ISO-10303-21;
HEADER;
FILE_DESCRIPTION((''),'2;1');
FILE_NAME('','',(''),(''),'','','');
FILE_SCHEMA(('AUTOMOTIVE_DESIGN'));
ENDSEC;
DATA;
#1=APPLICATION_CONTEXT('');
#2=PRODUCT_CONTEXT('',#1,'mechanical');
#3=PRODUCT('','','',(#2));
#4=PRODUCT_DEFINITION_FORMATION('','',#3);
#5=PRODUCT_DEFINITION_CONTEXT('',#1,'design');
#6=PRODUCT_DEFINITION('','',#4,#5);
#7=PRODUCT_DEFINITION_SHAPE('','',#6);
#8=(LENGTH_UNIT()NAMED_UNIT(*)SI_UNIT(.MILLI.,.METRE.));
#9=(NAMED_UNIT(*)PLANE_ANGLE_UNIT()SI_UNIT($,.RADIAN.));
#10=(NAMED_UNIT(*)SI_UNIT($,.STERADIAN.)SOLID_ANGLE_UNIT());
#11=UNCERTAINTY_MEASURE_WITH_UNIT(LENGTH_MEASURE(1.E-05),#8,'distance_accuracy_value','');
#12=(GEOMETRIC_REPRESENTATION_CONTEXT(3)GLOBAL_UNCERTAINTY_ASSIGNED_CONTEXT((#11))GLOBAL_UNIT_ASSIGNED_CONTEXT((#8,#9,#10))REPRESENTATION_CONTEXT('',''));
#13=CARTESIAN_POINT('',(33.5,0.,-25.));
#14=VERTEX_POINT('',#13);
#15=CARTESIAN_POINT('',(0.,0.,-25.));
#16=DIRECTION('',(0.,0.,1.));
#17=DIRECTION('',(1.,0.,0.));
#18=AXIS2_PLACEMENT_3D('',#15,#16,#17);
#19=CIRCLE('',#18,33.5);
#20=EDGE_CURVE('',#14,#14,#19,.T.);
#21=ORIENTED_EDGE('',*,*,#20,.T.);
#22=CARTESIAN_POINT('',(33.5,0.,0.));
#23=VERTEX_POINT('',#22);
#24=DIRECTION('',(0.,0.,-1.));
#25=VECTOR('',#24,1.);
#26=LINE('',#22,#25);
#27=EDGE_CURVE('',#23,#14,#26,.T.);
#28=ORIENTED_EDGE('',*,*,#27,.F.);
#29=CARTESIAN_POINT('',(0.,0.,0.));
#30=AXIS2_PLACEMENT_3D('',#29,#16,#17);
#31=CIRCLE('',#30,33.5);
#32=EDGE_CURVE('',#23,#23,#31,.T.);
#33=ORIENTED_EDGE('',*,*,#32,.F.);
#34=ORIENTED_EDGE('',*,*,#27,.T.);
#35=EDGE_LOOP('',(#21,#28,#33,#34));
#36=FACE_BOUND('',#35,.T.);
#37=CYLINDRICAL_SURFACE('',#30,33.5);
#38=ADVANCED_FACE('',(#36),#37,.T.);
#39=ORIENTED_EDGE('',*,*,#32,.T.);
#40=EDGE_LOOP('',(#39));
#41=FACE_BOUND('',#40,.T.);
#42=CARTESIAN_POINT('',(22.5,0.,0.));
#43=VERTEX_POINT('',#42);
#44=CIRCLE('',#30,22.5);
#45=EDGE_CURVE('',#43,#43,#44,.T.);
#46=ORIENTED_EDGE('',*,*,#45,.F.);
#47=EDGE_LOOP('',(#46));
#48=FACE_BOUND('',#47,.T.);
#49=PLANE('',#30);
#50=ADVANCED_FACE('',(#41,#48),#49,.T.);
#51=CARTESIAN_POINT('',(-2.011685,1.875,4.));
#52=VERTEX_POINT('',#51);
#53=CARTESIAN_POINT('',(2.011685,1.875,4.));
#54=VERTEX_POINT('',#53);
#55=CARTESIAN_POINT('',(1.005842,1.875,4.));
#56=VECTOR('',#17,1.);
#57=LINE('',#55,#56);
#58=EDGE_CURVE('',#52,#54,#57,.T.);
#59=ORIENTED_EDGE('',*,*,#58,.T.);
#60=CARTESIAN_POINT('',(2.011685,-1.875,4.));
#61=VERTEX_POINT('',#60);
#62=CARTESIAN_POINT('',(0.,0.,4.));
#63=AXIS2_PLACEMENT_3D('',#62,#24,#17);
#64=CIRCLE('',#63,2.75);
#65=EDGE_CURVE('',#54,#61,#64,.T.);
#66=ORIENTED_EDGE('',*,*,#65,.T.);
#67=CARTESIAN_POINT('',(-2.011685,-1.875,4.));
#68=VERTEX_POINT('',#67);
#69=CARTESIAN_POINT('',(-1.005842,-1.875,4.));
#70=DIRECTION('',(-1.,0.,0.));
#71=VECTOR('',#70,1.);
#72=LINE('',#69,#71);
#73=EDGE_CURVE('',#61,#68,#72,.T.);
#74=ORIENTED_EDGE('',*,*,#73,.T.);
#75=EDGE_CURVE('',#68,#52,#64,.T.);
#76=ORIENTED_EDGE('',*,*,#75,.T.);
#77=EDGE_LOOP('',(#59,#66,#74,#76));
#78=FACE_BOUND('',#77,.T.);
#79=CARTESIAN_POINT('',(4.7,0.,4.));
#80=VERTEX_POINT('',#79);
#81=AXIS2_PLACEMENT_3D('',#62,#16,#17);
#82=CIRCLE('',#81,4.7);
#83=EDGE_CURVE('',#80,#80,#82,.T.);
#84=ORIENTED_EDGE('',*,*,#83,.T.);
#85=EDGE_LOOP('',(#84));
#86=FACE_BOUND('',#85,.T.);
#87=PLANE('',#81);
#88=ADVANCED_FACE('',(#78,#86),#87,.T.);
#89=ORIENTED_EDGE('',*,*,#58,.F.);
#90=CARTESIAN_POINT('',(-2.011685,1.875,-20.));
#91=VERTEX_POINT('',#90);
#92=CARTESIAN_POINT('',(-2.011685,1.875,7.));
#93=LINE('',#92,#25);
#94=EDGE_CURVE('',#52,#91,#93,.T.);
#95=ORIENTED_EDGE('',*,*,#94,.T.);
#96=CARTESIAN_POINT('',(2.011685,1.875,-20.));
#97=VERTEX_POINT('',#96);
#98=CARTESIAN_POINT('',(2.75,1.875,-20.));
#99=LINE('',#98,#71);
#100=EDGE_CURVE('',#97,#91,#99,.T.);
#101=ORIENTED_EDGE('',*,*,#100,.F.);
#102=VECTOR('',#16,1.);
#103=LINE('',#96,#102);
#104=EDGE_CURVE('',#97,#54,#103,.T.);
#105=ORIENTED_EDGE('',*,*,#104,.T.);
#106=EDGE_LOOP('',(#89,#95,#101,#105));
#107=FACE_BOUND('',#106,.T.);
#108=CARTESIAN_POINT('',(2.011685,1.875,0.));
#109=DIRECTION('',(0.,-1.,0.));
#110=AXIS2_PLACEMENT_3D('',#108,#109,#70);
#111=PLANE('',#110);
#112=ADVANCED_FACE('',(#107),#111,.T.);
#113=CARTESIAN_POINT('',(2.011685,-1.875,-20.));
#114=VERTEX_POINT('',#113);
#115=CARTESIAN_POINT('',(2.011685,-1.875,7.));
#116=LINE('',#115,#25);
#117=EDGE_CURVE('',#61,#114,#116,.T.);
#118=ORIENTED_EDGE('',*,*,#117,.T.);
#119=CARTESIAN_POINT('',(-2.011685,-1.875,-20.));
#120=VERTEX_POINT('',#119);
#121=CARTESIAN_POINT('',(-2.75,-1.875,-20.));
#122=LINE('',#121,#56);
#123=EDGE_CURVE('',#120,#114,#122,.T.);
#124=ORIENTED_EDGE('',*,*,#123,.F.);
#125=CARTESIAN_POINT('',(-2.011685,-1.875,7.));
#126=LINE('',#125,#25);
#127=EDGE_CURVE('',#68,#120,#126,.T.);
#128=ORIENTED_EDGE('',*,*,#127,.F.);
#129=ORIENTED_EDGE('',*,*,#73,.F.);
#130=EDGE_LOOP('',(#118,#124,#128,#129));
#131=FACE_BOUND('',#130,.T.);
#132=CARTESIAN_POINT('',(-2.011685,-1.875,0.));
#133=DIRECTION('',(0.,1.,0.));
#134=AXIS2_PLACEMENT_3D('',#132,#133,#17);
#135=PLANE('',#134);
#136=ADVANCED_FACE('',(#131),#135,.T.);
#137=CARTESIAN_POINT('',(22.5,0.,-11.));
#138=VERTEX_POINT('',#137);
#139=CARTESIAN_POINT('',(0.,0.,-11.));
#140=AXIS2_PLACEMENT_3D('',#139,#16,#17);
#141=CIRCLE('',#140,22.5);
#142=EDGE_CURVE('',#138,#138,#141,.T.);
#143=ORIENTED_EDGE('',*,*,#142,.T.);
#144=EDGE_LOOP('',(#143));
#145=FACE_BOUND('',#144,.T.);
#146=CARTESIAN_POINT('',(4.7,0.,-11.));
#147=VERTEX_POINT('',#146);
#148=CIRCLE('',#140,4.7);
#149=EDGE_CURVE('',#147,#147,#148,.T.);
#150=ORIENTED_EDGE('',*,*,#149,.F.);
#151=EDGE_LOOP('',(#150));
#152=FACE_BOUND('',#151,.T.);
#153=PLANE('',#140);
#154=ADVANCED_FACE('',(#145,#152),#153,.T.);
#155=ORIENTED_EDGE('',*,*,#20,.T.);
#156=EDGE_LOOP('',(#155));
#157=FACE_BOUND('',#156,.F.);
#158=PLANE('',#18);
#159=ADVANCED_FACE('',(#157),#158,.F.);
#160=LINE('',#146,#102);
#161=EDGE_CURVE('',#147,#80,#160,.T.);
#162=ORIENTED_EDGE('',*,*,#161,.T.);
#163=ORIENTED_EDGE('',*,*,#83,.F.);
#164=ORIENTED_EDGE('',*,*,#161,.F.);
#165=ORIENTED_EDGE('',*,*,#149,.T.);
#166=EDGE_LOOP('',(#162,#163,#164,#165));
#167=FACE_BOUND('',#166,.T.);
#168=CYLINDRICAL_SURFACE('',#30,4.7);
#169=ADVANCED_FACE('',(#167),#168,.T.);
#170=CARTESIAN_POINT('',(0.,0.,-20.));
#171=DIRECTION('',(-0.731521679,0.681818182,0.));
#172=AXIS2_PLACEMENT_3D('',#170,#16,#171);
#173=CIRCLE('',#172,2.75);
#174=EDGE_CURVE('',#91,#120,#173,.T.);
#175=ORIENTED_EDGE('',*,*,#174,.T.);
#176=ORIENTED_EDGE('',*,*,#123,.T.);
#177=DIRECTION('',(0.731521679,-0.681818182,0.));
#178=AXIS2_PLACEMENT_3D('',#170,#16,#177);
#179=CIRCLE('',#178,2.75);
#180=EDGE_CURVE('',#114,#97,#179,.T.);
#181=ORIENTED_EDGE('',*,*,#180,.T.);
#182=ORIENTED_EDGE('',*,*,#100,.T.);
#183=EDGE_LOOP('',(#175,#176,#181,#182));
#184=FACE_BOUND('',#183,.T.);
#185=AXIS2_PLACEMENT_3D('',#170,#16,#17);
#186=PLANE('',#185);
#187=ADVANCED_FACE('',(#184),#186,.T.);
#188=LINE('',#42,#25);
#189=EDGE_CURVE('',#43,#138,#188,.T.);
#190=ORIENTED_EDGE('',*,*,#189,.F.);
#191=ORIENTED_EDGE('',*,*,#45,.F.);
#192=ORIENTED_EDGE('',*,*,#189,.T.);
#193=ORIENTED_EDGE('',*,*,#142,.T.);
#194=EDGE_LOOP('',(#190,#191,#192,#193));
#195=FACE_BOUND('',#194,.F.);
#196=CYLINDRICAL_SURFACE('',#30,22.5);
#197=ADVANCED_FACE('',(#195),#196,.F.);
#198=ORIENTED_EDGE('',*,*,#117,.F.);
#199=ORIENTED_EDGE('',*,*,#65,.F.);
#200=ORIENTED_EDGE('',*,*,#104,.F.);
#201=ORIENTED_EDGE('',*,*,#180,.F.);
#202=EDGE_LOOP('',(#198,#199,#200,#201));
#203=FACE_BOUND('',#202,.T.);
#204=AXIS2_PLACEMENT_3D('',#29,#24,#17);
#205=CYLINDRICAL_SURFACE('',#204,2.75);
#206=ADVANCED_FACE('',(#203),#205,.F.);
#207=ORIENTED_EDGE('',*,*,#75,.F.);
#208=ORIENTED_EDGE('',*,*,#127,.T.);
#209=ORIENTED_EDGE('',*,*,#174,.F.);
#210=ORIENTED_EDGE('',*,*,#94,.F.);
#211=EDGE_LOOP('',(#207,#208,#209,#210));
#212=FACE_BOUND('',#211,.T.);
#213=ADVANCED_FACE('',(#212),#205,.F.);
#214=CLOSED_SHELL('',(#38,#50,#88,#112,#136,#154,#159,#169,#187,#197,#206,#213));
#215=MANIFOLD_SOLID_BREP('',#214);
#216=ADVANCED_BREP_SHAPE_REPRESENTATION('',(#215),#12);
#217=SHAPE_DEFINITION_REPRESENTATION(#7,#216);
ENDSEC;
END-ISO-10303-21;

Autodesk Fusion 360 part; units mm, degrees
sketch "Sketch1" plane through (0, 0, 0) normal (0, 0, 1) x (1, 0, 0)
  circle A0 centre (0, 0) radius 33.5
  dimension "d1" = 67
extrude "Extrude1" add sketch "Sketch1" against normal blind 25
sketch "Sketch2" plane through (0, 0, 0) normal (0, 0, 1) x (1, 0, 0)
  circle A0 centre (0, 0) radius 4.7
  circle A1 centre (0, 0) radius 2.75
  line L0 (2.75, 1.875) -> (-2.75, 1.875)
  line L1 (-2.75, 1.875) -> (-2.75, -1.875)
  line L2 (-2.75, -1.875) -> (2.75, -1.875)
  line L3 (2.75, -1.875) -> (2.75, 1.875)
  line L4 (2.75, 1.875) -> (-2.75, -1.875) construction
  line L5 (-2.75, 1.875) -> (2.75, -1.875) construction
  dimension "d4" = 9.4
  dimension "d7" = 5.5
  dimension "d8" = 3.75
extrude "Extrude2" add sketch "Sketch2" along normal blind 4 contours A0 | A1 L0 L2 | A1 L2 L3 | A1 L0 L3 | A1 L0 | A1 L2 | A1 L0 L1 | A1 L1 L2
extrude "Extrude3" cut sketch "Sketch2" along normal blind 7 and the other way blind 20 contours A1 L0 L2
sketch "Sketch3" plane through (0, 0, 0) normal (0, 0, 1) x (1, 0, 0)
  circle A0 centre (0, 0) radius 4.7
  circle A1 centre (0, 0) radius 33.5
  circle A2 centre (0, 0) radius 22.5
  line L0 (-2.0117, 1.875) -> (2.0117, 1.875)
  arc A3 (2.0117, -1.875) -> (2.0117, 1.875) centre (0, 0) ccw
  line L1 (2.0117, -1.875) -> (-2.0117, -1.875)
  arc A4 (-2.0117, 1.875) -> (-2.0117, -1.875) centre (0, 0) ccw
  circle A5 centre (0, 0) radius 4.7
  dimension "d13" = 45
extrude "Extrude4" cut sketch "Sketch3" against normal blind 11 contours A2
